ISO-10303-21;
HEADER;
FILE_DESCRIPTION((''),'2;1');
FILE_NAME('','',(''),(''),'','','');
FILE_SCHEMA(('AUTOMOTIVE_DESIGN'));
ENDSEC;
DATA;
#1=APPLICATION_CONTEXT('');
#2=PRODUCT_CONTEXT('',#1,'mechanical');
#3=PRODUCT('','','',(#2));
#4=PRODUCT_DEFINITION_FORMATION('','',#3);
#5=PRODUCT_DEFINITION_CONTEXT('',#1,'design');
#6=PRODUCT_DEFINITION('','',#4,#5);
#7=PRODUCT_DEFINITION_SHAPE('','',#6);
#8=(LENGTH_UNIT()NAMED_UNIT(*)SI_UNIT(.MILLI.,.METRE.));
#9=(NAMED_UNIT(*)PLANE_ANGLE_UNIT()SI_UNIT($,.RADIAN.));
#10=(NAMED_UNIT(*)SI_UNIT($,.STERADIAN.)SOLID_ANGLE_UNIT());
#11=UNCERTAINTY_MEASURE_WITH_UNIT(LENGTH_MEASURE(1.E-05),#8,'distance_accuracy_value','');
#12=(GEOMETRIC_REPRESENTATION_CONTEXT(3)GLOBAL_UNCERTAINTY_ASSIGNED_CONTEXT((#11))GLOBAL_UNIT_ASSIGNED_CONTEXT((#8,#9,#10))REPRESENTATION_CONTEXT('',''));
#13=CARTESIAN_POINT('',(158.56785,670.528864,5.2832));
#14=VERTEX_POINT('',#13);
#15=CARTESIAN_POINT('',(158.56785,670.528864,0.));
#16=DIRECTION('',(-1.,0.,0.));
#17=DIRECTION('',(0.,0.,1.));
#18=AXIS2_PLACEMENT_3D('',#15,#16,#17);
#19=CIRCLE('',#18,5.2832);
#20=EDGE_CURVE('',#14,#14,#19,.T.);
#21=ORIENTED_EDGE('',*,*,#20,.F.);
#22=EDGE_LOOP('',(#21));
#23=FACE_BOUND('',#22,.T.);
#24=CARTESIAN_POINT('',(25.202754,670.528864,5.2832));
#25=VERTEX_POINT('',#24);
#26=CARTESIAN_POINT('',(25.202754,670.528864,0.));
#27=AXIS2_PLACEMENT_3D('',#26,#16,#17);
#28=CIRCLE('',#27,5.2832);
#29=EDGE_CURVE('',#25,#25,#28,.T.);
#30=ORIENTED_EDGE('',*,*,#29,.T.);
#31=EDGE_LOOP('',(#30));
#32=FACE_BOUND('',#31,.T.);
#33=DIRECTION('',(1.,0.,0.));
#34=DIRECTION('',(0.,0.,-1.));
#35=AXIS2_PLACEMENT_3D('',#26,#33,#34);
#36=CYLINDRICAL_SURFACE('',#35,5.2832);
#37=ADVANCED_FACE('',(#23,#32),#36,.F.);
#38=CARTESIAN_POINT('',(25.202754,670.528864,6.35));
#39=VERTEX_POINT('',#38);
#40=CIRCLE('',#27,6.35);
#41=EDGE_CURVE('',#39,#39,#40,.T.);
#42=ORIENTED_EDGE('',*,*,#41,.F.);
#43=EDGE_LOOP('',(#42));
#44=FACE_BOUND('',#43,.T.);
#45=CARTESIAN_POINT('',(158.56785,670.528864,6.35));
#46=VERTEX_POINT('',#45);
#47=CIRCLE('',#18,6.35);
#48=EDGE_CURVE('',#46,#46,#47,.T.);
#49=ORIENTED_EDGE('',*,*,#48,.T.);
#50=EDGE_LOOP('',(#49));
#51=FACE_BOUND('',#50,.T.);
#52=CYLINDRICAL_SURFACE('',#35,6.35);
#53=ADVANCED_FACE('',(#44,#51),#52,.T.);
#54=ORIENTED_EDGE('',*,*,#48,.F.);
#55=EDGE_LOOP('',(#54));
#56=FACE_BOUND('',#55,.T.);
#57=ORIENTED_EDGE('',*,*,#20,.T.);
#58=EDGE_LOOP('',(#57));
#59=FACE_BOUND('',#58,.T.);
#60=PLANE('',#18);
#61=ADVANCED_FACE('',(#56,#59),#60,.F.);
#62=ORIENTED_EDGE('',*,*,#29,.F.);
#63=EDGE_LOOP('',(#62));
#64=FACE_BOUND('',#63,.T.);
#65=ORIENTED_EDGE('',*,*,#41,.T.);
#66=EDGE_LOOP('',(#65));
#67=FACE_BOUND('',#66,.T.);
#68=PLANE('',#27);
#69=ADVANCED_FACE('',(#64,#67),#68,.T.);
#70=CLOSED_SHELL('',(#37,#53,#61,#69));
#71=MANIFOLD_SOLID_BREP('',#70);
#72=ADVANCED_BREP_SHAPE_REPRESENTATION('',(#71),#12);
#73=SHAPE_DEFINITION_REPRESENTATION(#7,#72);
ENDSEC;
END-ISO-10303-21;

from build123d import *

# Parameters (mm, degrees)
SKETCH11_R              = 6.35
SKETCH11_R_2            = 5.2832
PIPE_0_5_SCH_40_1_DEPTH = 133.36509537


with BuildPart() as part:
    # Sketch11 → Pipe 0.5 SCH 40(1) (new body)
    with BuildSketch(Plane(origin=(158.567849637, 670.528863506, 0), x_dir=(0, -1, 0), z_dir=(-1, 0, 0))):
        Circle(SKETCH11_R)
        Circle(SKETCH11_R_2, mode=Mode.SUBTRACT)
    extrude(amount=PIPE_0_5_SCH_40_1_DEPTH)


solid = part.part
